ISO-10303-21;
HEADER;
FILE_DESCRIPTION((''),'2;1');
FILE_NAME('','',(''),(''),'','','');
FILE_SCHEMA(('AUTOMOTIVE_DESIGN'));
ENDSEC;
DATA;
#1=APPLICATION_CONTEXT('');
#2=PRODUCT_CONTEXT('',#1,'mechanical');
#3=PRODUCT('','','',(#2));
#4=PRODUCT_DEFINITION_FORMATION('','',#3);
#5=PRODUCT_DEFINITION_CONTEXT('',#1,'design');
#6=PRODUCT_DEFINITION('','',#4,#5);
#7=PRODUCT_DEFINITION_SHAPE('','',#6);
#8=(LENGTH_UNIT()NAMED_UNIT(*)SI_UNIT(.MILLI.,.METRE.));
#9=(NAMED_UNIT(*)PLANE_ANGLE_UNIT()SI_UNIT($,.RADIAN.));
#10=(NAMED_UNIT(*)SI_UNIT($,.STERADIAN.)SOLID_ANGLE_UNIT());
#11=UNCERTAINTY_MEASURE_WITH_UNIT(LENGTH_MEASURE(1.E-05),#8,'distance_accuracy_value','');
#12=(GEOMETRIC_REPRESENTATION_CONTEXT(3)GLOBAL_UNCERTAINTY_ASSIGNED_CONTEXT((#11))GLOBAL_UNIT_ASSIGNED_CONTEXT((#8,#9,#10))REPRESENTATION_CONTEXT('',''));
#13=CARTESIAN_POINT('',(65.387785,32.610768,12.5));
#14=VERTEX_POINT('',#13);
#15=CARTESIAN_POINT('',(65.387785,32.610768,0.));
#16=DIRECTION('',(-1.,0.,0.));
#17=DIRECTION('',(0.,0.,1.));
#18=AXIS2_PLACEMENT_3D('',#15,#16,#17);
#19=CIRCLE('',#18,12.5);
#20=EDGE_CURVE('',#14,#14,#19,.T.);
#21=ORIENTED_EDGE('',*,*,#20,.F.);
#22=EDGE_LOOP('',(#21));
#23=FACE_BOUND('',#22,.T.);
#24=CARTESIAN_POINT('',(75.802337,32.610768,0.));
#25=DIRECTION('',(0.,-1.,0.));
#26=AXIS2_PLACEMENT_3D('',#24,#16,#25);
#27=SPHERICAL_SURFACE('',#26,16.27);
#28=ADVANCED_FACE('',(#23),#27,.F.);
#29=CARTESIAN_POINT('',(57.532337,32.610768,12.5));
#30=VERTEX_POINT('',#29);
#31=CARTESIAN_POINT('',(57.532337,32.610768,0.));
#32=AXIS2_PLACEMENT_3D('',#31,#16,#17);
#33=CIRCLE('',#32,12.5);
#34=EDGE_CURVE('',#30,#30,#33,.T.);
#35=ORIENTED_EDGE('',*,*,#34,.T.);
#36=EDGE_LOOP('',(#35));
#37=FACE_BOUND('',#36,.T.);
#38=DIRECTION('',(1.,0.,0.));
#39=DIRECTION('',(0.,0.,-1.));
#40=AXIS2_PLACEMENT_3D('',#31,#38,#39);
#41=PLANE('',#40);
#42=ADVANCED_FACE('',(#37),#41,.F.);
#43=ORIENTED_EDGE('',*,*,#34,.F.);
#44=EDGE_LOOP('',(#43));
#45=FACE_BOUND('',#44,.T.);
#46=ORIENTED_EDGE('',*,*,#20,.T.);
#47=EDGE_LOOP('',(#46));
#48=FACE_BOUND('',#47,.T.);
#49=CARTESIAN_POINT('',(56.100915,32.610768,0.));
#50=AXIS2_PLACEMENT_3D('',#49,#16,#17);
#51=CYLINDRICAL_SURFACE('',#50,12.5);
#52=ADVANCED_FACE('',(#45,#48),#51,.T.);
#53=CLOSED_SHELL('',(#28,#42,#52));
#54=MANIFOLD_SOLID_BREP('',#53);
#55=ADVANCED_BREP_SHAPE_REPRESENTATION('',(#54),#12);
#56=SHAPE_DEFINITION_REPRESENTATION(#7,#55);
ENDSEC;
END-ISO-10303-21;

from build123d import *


with BuildPart() as part:
    # 草图1 → 旋转1 (revolve)
    with BuildSketch(Plane.XY, mode=Mode.PRIVATE) as revolve_1_sk:
        with BuildLine():
            Line((57.532337053, 32.610768129), (57.532337053, 45.110768129))
            Line((57.532337053, 45.110768129), (65.387784734, 45.110768129))
            ThreePointArc((65.387784734, 45.110768129), (61.068741663, 39.512511886), (59.532337053, 32.610768129))
            Line((59.532337053, 32.610768129), (57.532337053, 32.610768129))
        make_face()
    revolve(revolve_1_sk.sketch.rotate(Axis((56.10091508, 32.610768129, 0), (1, 0, 0)), 180), axis=Axis((56.10091508, 32.610768129, 0), (1, 0, 0)))  # turned: the seam where the file's is


solid = part.part
